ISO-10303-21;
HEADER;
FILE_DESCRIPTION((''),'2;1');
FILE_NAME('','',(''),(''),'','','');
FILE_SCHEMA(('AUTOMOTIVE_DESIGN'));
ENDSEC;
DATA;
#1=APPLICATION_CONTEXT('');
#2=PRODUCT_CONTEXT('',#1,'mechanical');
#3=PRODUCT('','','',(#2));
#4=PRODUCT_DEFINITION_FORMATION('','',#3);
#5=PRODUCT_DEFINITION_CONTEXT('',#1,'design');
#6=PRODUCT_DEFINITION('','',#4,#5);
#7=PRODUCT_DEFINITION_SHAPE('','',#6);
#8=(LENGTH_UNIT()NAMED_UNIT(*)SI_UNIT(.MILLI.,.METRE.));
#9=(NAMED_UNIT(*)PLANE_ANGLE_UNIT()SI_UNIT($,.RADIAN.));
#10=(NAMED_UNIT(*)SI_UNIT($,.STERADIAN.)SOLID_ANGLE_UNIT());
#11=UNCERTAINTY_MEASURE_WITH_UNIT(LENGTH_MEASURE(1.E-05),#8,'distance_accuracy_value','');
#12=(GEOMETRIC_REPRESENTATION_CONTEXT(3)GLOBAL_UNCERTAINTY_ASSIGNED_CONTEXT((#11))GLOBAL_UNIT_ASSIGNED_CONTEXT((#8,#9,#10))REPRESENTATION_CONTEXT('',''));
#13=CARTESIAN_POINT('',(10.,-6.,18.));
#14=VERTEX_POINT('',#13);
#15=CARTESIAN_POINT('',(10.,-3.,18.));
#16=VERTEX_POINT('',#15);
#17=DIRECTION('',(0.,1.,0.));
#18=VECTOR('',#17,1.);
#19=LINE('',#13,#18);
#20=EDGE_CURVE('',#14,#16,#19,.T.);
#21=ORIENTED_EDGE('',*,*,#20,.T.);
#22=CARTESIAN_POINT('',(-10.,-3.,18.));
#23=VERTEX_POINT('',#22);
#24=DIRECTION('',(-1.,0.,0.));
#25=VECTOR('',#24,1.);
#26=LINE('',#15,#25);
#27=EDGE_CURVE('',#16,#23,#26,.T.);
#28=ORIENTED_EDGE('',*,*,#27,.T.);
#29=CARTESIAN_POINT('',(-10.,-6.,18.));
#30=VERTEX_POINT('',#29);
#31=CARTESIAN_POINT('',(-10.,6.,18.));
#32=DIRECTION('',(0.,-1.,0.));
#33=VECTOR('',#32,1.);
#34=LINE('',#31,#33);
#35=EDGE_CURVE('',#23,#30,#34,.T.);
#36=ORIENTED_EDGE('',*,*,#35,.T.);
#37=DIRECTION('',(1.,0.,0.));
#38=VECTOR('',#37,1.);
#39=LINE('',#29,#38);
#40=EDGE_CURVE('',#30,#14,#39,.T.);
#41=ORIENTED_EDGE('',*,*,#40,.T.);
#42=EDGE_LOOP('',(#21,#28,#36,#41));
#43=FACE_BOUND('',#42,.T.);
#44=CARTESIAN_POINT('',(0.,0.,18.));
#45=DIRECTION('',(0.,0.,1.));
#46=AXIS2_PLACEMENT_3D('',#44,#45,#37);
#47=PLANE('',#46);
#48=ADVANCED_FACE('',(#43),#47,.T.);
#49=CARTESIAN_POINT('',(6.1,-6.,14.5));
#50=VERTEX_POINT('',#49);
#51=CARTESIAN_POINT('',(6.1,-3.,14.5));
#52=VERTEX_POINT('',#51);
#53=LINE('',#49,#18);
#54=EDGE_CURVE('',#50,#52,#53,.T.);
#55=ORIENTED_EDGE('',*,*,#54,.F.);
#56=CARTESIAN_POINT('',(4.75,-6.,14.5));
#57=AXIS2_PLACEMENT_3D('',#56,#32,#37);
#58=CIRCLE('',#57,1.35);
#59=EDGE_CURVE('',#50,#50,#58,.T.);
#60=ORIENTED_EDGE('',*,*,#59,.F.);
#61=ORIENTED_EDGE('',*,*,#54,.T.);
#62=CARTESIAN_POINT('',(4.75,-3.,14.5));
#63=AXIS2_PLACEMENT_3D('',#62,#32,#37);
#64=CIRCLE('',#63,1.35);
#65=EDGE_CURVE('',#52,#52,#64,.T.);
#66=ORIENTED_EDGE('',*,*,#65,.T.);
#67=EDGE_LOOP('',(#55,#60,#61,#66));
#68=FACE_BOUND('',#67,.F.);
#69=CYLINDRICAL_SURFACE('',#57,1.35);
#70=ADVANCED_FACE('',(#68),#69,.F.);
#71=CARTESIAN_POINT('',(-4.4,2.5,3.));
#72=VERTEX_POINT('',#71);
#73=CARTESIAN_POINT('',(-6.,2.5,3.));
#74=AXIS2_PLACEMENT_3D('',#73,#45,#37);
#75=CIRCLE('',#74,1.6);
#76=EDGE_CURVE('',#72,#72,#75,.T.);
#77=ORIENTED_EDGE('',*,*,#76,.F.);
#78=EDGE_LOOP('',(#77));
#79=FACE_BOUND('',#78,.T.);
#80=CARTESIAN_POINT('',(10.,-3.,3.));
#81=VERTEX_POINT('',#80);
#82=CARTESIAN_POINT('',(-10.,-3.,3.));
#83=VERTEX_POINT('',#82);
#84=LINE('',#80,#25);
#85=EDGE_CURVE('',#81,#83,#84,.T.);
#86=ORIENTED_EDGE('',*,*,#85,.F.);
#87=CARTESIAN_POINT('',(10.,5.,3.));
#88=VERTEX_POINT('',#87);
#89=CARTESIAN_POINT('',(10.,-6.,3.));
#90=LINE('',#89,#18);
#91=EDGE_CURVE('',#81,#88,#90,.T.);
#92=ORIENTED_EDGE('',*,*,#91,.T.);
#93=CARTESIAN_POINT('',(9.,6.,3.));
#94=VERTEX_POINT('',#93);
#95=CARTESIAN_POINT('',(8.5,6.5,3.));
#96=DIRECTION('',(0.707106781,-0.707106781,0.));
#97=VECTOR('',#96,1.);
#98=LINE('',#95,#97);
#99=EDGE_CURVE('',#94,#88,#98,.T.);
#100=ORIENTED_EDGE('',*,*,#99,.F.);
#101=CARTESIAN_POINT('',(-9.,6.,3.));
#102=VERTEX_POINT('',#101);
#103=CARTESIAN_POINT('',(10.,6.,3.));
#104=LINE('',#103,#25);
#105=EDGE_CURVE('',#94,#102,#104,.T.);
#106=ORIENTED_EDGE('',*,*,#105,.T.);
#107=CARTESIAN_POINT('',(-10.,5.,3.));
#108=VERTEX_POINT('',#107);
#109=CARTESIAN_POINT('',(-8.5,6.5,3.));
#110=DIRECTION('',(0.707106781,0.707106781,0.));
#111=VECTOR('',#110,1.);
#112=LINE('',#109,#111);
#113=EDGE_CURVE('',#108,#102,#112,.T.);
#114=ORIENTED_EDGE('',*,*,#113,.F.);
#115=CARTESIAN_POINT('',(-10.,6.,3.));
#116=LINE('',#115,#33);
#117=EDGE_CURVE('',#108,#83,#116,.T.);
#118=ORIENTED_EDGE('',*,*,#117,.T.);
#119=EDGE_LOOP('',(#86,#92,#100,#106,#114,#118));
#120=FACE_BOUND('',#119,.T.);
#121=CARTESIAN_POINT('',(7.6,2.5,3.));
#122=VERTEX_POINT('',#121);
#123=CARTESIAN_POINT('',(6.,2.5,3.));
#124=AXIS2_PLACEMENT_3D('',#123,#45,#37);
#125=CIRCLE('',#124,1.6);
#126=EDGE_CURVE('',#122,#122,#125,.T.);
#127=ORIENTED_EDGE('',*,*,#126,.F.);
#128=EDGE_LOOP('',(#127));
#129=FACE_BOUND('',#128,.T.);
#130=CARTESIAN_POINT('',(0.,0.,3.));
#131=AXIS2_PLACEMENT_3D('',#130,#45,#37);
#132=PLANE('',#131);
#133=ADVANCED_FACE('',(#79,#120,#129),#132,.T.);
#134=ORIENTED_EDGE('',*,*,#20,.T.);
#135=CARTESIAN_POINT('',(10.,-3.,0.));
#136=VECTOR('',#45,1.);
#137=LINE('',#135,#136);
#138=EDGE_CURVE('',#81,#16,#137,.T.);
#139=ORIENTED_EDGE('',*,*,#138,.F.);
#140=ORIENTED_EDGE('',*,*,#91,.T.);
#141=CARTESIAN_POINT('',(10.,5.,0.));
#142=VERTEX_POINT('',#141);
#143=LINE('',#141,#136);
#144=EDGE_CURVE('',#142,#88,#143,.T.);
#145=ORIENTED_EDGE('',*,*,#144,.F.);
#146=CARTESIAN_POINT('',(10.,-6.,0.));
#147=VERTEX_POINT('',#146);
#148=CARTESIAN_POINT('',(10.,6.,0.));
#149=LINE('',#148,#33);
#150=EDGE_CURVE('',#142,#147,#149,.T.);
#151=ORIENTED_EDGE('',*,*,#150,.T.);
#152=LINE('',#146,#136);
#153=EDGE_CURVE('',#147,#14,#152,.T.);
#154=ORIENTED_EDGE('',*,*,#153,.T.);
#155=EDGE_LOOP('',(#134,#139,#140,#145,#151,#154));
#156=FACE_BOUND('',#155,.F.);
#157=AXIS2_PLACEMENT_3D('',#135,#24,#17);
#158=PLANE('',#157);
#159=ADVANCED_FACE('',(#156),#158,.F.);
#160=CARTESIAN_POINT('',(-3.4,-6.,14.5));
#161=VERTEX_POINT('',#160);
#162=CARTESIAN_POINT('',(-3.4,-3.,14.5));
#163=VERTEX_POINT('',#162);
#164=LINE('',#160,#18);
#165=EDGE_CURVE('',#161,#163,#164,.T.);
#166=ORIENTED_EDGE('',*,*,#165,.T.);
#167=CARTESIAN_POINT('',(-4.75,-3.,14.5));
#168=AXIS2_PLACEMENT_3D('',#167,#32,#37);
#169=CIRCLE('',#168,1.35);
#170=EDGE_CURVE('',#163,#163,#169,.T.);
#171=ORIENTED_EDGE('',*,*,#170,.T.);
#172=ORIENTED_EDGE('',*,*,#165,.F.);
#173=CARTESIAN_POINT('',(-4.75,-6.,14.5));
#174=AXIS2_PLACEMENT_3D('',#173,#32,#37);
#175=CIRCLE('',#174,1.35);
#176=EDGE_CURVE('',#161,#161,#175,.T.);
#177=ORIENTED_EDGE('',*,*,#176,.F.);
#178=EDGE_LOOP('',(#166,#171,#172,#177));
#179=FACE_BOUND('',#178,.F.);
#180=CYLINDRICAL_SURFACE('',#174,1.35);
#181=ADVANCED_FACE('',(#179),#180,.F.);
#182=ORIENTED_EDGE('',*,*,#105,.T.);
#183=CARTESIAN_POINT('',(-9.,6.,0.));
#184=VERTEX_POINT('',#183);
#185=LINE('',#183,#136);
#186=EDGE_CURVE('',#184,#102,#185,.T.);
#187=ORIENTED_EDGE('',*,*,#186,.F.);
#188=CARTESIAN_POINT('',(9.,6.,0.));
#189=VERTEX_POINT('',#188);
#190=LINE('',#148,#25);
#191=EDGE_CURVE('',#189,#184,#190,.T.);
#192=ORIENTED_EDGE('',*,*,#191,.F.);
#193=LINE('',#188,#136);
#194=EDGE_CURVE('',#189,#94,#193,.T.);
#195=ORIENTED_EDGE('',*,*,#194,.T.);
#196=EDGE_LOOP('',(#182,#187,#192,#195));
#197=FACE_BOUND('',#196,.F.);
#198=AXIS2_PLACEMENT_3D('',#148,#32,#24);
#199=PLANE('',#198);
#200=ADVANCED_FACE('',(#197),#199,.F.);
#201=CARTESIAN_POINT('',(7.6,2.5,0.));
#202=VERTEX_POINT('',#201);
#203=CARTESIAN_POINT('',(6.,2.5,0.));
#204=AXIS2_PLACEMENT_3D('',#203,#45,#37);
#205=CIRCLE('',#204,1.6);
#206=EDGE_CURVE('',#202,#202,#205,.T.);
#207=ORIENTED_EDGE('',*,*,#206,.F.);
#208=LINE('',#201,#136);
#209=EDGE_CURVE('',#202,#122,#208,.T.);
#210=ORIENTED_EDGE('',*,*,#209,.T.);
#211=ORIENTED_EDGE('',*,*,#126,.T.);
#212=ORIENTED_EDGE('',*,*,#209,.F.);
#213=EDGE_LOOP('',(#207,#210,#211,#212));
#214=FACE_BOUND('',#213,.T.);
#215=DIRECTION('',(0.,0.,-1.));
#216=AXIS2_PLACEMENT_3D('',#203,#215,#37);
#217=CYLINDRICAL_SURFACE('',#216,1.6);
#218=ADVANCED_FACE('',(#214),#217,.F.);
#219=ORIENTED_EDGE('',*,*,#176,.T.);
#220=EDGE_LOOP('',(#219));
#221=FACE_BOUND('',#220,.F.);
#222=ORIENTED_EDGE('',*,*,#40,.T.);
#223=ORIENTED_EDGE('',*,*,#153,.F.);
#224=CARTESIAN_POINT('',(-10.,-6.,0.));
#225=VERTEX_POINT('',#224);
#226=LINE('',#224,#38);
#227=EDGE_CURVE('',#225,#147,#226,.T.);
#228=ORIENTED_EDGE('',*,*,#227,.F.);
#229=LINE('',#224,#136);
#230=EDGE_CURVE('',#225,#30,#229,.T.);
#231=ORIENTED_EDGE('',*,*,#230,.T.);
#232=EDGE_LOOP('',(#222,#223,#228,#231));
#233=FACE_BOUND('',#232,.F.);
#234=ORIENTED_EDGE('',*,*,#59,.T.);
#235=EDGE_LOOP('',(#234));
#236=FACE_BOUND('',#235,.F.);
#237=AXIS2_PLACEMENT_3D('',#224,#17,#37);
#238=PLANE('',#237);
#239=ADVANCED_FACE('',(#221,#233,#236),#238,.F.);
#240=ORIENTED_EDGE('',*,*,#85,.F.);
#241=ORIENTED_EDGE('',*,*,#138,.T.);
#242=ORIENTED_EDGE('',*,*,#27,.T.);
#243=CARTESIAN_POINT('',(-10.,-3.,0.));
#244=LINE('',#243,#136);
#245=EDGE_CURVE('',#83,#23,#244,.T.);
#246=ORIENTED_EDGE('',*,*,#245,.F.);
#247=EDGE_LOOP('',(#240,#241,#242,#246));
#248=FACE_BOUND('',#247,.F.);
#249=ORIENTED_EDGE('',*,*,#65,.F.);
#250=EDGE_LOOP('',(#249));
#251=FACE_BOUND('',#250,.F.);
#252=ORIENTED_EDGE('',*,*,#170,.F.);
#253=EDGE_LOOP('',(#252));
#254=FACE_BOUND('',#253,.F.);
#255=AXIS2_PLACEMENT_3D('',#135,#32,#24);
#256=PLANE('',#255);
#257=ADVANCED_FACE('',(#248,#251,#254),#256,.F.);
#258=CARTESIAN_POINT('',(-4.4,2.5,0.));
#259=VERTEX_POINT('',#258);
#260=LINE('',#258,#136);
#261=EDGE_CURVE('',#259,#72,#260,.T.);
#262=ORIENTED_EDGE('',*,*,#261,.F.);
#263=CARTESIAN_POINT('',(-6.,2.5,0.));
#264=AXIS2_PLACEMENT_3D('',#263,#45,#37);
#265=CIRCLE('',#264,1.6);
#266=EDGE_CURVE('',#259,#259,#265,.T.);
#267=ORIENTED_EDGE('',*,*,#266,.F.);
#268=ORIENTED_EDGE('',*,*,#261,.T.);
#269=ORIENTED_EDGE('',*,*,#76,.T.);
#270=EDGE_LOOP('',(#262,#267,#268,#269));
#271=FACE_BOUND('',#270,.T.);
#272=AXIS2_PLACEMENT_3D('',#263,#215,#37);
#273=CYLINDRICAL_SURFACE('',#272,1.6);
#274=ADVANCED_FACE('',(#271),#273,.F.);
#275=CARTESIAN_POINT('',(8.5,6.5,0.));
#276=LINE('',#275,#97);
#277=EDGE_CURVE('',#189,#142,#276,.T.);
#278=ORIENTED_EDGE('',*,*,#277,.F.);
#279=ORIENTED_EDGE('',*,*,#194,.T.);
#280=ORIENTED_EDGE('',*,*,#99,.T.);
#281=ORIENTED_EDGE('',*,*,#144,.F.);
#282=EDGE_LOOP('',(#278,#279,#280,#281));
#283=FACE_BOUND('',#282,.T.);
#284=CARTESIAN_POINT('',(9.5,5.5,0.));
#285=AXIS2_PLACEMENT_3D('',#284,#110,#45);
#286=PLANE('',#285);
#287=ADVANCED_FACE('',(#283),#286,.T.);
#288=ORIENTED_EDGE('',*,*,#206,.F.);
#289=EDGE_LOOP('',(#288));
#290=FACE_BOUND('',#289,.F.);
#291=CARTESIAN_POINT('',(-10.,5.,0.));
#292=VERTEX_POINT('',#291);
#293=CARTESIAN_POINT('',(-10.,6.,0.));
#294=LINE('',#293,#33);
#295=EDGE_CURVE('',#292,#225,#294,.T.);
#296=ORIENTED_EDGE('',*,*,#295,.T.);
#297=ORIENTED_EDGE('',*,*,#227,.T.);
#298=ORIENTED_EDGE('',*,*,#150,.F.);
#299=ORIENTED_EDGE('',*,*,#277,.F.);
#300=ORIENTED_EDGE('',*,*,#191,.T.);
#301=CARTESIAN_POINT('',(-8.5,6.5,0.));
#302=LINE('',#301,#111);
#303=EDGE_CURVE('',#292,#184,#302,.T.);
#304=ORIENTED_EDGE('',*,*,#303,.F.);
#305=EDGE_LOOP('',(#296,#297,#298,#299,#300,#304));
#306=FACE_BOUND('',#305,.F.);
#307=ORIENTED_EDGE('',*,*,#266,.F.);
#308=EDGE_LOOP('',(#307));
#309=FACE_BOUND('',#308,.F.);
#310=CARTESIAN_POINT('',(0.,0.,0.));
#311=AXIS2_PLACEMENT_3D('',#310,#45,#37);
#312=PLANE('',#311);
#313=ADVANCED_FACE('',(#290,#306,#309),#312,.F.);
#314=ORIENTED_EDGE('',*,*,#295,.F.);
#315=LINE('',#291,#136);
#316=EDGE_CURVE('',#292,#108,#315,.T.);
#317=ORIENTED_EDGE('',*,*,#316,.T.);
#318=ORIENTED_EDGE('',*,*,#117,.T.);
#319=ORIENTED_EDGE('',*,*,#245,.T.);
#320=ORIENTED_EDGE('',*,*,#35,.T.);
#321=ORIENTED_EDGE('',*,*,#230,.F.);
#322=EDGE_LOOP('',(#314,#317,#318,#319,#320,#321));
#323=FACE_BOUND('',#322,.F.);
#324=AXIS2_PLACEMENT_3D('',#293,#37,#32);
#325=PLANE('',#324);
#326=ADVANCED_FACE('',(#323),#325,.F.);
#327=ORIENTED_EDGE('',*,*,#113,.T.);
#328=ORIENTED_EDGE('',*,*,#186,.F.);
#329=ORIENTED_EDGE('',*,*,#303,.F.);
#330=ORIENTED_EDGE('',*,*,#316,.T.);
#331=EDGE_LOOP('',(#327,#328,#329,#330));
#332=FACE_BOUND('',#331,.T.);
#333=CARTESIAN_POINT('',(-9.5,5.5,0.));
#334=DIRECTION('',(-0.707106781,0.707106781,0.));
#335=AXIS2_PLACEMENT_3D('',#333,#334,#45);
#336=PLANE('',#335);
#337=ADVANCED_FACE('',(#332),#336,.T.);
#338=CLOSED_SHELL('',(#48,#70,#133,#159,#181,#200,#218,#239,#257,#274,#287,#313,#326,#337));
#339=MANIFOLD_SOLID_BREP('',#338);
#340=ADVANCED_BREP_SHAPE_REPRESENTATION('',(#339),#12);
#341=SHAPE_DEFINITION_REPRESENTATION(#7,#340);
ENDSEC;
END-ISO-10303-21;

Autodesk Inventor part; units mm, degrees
ref_plane "YZ Plane" through (0, 0, 0) normal (1, 0, 0) x (0, 1, 0)
ref_plane "XZ Plane" through (0, 0, 0) normal (0, 1, 0) x (-1, 0, 0)
ref_plane "XY Plane" through (0, 0, 0) normal (0, 0, 1) x (1, 0, 0)
sketch "Sketch1" plane through (0, 0, 0) normal (0, 0, 1) x (1, 0, 0)
  line L0 (-10, -6) -> (10, -6)
  line L1 (10, -6) -> (10, 6)
  line L2 (10, 6) -> (-10, 6)
  line L3 (-10, 6) -> (-10, -6)
  circle A0 centre (-6, 2.5) radius 1.6
  circle A1 centre (6, 2.5) radius 1.6
  line L4 (-10, -6) -> (10, -6)
  line L5 (10, -6) -> (10, -3)
  line L6 (10, -3) -> (-10, -3)
  line L7 (-10, -3) -> (-10, -6)
  point P0 (0, 0)
  point P1 (0, 6)
  point P2 (-10, 0)
  dimension "d0" = 12
  dimension "d1" = 20
  dimension "d2" = 3.2
  dimension "d3" = 3.2
  dimension "d4" = 12
  dimension "d5" = 6
  dimension "d6" = 2.5
  dimension "d7" = 3
extrude "Extrusion1" add sketch "Sketch1" along normal blind 3 contours L3 L2 L1 L6
extrude "Extrusion2" add sketch "Sketch1" along normal blind 18 contours L3 L6 L1 L0
sketch "Sketch2" plane through (-10, -6, 0) normal (0, -1, 0) x (1, 0, 0)
  line L0 (20, 0) -> (0, 0) projected
  line L1 (0, 0) -> (0, 18) projected
  line L2 (0, 18) -> (20, 18) projected
  line L3 (20, 18) -> (20, 0) projected
  circle A0 centre (5.25, 14.5) radius 1.35
  circle A1 centre (14.75, 14.5) radius 1.35
  point P0 (10, 0)
  dimension "d13" = 9.5
  dimension "d14" = 5.25
  dimension "d15" = 2.7
  dimension "d16" = 2.7
  dimension "d17" = 3.5
extrude "Extrusion3" cut sketch "Sketch2" against normal up to surface (3 mm away) contours A0 | A1
chamfer "Chamfer1" distance 1 angle 45 2 edges at (10, 6, 1.5) (-10, 6, 1.5)
properties part number "LimitSwitch_TopHolder"
